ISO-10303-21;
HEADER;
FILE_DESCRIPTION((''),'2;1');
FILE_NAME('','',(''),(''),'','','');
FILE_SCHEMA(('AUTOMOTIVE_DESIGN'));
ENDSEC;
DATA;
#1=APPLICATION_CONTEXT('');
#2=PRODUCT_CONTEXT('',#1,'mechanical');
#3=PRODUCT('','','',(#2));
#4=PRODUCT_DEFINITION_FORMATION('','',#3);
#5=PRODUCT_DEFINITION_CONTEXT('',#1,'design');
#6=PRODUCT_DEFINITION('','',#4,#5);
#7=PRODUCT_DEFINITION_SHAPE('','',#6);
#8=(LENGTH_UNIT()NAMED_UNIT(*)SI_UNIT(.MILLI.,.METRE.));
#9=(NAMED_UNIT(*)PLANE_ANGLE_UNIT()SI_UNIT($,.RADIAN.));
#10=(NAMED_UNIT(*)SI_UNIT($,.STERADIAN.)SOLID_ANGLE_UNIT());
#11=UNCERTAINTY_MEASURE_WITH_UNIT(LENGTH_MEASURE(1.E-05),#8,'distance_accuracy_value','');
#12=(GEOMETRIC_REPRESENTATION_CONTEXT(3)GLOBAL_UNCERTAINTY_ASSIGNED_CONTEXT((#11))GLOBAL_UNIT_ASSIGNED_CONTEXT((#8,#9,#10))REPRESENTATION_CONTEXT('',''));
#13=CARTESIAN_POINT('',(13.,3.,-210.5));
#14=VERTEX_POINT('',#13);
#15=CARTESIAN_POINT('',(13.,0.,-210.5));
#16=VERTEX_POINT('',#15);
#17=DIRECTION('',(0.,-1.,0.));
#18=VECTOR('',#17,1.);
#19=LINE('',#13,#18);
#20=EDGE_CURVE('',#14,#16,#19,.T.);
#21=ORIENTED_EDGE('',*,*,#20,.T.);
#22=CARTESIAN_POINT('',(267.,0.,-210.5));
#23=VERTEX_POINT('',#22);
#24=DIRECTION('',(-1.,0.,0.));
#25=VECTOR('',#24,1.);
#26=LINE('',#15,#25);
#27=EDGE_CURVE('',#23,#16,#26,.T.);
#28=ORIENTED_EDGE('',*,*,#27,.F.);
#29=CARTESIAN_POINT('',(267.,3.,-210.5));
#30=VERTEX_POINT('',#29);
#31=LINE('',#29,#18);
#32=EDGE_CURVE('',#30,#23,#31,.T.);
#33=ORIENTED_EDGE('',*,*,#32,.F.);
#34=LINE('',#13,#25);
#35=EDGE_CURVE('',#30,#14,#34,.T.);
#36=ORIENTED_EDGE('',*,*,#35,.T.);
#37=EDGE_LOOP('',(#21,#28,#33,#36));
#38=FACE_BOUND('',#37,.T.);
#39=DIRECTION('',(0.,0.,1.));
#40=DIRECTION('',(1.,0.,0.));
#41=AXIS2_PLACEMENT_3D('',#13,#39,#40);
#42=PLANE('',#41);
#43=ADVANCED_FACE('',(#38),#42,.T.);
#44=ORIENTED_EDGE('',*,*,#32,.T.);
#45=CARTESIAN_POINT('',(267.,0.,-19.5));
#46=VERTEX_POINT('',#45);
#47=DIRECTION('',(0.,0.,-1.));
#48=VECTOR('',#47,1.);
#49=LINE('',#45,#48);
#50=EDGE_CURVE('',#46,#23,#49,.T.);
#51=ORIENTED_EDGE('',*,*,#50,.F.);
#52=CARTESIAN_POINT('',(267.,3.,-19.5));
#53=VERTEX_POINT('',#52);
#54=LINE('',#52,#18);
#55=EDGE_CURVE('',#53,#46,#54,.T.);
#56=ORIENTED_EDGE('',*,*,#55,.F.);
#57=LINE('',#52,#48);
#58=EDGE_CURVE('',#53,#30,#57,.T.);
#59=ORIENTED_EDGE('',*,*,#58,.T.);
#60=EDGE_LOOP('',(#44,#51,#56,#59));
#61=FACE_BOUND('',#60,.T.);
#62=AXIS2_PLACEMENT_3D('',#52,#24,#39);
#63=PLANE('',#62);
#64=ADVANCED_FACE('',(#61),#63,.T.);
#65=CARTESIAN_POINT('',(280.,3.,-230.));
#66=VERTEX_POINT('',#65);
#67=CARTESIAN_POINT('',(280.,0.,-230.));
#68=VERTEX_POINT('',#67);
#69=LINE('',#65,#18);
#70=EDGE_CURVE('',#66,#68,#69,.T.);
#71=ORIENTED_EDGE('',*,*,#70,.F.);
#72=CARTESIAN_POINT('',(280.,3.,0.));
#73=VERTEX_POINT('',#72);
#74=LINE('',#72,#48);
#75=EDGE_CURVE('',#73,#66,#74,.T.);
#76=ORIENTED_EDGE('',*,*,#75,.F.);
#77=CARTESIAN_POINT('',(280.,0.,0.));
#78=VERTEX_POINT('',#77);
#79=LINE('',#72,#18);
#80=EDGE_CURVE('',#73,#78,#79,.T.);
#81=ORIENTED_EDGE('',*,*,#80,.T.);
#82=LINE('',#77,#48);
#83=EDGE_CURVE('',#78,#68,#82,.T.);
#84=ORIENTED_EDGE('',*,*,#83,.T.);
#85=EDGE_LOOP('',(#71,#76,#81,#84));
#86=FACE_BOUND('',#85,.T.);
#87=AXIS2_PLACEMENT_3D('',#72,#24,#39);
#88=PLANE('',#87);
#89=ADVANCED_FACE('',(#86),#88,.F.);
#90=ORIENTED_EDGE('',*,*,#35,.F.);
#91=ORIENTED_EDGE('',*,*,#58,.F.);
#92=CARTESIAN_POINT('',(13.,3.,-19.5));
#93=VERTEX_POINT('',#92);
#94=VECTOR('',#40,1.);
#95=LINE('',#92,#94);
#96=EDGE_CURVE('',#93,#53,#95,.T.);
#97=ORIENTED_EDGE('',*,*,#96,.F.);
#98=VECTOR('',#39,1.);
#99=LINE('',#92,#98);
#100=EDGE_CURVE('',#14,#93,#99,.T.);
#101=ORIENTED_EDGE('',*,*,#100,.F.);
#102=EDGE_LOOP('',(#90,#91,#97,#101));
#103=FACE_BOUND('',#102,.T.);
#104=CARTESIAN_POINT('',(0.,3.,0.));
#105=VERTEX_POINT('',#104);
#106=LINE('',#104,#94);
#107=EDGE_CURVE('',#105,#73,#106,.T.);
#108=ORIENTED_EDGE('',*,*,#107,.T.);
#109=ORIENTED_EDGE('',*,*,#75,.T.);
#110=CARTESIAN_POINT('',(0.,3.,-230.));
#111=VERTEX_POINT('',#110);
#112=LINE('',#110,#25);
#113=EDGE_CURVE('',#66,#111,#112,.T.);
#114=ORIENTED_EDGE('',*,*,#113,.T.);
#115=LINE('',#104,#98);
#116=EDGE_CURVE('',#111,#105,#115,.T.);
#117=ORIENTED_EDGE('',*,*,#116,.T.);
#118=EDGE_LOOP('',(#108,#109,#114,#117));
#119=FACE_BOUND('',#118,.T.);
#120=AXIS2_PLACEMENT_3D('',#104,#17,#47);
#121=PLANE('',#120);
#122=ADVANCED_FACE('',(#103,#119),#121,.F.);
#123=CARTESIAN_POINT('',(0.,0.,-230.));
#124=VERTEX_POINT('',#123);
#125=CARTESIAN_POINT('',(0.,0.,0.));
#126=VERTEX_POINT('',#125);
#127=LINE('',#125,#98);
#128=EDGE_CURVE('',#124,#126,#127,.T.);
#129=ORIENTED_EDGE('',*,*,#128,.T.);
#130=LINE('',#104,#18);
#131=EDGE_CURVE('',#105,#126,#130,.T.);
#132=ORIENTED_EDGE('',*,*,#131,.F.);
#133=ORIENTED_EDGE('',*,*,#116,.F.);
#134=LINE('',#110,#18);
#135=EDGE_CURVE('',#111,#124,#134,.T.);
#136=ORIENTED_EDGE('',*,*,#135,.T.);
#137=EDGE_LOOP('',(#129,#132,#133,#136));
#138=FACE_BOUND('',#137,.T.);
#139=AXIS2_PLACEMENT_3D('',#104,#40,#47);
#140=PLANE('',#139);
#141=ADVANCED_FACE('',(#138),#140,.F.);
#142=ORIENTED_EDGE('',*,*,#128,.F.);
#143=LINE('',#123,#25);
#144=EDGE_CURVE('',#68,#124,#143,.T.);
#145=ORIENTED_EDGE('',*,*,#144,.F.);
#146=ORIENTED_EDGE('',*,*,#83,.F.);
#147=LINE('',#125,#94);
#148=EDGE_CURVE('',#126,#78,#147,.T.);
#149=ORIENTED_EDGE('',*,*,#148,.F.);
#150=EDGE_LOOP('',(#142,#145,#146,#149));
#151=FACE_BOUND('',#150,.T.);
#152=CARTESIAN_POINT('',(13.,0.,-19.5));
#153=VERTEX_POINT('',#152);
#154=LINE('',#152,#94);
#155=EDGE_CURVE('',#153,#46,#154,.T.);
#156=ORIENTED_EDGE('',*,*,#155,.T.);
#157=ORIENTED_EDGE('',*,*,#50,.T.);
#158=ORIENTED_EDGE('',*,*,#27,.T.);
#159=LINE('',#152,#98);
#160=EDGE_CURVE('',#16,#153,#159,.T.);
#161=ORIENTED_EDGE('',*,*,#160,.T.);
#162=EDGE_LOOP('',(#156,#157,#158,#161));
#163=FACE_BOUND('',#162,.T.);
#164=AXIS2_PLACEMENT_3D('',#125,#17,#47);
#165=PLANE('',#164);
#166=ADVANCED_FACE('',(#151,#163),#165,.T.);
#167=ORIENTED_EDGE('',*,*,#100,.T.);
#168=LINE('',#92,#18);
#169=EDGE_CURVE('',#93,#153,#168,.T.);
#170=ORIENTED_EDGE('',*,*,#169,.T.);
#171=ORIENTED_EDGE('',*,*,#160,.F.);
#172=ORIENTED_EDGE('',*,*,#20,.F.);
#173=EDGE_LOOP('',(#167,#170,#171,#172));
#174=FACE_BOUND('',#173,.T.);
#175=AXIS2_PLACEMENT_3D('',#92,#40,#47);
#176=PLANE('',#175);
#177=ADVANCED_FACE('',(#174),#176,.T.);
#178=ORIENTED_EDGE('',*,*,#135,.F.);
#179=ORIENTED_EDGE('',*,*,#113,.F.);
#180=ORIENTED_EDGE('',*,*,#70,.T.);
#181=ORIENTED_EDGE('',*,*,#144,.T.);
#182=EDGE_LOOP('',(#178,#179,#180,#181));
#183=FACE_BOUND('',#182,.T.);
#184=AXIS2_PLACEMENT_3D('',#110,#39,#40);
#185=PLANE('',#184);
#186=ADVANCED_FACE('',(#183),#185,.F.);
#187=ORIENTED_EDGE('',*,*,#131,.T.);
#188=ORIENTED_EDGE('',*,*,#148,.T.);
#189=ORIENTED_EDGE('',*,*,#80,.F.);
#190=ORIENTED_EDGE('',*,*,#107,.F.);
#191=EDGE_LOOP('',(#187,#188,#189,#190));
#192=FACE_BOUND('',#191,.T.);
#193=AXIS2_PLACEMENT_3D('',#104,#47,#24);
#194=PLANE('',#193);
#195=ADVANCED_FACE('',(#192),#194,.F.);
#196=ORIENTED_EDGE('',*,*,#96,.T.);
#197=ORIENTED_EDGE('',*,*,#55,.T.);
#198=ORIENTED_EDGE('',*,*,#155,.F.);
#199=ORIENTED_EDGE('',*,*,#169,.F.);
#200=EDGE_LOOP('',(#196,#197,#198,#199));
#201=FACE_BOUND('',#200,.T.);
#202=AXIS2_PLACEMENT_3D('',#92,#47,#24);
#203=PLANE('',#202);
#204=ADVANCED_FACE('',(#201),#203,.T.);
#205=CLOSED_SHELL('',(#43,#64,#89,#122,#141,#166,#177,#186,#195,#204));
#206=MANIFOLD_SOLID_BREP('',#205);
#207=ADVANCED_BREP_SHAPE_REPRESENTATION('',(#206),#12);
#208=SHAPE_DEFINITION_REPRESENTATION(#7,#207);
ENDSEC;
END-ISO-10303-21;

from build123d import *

# Parameters (mm, degrees)
SKETCH1_W           = 280
SKETCH1_H           = 230
SKETCH1_W_2         = 254
SKETCH1_H_2         = 191
BOSS_EXTRUDE1_DEPTH = 3


with BuildPart() as part:
    # Sketch1 → Boss-Extrude1 (new body)
    with BuildSketch(Plane(origin=(0, 0, 0), x_dir=(1, 0, 0), z_dir=(0, 1, 0))):
        with Locations((140, 115)):
            Rectangle(SKETCH1_W, SKETCH1_H)
        with Locations((140, 115)):
            Rectangle(SKETCH1_W_2, SKETCH1_H_2, mode=Mode.SUBTRACT)
    extrude(amount=BOSS_EXTRUDE1_DEPTH)


solid = part.part
